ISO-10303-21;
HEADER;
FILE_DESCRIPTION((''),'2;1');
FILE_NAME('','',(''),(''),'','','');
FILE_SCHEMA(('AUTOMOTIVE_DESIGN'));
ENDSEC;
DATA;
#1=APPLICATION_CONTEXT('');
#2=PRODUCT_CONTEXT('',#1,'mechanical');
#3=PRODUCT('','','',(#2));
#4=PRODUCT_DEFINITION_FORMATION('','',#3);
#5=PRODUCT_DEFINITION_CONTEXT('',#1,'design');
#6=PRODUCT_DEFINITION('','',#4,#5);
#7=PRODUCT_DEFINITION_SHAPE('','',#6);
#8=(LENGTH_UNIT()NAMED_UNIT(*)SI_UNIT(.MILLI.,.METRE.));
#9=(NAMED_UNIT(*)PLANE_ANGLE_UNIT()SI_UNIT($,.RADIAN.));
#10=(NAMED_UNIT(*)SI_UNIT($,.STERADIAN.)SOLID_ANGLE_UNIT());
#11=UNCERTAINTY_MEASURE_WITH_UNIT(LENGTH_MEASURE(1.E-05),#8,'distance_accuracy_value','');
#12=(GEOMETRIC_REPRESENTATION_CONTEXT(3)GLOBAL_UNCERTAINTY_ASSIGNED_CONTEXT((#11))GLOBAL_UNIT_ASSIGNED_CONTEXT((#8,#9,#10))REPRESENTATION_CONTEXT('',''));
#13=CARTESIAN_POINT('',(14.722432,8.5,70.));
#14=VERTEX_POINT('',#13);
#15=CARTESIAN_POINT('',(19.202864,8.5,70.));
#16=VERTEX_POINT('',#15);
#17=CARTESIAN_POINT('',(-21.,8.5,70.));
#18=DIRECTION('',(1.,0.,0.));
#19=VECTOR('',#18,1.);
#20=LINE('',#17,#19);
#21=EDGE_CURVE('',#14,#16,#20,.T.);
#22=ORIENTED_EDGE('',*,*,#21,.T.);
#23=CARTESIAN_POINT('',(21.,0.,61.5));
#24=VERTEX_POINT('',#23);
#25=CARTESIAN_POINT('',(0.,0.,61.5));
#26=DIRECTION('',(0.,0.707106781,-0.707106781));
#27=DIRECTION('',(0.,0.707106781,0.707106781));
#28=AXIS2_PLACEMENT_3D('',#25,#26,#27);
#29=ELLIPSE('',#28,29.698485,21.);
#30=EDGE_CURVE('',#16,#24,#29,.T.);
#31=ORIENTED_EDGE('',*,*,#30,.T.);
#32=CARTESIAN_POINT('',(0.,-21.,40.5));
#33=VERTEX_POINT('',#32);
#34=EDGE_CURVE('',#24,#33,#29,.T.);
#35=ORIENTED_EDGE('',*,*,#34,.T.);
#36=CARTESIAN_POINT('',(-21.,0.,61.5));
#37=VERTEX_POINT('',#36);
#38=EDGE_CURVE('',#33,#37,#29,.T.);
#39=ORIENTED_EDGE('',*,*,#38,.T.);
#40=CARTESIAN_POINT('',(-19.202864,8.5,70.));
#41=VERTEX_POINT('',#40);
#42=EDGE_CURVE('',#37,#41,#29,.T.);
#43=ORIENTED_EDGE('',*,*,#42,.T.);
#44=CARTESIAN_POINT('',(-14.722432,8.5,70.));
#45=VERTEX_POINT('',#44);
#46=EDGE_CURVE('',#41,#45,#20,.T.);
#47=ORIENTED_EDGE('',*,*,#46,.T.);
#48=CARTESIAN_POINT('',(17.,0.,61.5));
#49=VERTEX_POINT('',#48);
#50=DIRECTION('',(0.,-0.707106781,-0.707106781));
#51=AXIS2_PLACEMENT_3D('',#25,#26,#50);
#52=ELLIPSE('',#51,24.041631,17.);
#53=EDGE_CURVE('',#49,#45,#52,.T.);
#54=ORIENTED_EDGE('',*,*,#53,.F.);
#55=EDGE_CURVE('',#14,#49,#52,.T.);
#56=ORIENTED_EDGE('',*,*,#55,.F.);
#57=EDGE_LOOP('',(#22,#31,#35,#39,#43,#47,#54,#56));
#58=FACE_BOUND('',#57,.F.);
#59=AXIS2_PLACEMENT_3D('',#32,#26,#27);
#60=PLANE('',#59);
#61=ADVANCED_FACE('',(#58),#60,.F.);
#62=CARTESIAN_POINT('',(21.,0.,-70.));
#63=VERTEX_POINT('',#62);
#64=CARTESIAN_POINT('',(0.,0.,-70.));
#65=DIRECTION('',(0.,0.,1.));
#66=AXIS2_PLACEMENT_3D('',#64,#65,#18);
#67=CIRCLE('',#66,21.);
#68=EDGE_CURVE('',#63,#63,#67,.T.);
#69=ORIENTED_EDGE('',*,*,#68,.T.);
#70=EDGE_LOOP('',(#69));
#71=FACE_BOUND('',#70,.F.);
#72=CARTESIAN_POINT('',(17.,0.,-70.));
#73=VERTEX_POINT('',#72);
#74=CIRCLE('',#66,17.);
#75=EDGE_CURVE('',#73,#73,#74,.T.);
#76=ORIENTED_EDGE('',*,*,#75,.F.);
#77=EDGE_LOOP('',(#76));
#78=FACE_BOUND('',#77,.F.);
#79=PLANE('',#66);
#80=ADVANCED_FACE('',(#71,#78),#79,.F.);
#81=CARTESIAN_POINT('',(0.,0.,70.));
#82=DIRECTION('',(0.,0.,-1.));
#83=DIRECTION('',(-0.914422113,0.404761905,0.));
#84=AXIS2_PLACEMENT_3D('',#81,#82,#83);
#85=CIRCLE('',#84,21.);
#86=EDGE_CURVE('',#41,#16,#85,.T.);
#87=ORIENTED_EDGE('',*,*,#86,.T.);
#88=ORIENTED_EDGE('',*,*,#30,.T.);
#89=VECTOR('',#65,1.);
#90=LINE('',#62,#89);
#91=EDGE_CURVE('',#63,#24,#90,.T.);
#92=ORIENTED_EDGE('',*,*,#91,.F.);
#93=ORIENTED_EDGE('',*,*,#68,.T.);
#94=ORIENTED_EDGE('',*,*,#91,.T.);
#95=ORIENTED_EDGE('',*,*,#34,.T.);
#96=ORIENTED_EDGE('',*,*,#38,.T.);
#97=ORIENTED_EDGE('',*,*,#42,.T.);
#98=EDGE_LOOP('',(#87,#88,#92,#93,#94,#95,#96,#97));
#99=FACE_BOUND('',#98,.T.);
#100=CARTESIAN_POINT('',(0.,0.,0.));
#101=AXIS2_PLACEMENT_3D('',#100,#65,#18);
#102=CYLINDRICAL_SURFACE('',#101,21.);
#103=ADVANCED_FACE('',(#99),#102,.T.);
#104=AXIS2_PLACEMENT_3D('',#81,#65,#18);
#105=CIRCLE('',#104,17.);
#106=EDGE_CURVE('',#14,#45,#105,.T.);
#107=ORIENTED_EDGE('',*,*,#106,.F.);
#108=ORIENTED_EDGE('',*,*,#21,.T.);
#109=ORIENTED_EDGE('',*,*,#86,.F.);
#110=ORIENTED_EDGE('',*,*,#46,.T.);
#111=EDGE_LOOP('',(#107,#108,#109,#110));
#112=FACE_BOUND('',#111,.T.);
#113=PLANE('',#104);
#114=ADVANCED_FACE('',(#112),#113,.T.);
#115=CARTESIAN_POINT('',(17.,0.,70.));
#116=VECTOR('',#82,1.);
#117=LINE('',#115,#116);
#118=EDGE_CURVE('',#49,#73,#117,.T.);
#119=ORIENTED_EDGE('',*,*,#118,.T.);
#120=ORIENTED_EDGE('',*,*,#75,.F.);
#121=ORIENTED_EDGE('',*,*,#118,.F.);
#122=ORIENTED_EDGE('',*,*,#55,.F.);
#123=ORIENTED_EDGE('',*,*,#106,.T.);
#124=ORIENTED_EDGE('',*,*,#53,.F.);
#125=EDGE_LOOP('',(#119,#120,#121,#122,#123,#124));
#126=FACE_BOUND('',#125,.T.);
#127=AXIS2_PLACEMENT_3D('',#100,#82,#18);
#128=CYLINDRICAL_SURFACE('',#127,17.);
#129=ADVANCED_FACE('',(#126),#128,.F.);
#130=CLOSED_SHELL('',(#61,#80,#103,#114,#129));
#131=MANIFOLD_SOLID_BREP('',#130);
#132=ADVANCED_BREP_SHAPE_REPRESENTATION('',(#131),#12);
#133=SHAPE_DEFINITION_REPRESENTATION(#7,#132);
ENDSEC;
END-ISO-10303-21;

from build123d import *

# Parameters (mm, degrees)
F0_R     = 21
F0_R_2   = 17
F1_DEPTH = 70
F3_DEPTH = 21


with BuildPart() as f1:
    # F0 (on Top) → F1 (new body, symmetric)
    with BuildSketch(Plane.XY):
        Circle(F0_R)
        Circle(F0_R_2, mode=Mode.SUBTRACT)
    extrude(amount=F1_DEPTH, both=True)

    # F2 (on Right) → F3 (cut, symmetric)
    with BuildSketch(Plane.YZ):
        Polygon((-21, 40.5), (8.5, 70), (21, 70), (21, 80), (-21, 80), align=None)
    extrude(amount=F3_DEPTH, both=True, mode=Mode.SUBTRACT)


solid = f1.part
